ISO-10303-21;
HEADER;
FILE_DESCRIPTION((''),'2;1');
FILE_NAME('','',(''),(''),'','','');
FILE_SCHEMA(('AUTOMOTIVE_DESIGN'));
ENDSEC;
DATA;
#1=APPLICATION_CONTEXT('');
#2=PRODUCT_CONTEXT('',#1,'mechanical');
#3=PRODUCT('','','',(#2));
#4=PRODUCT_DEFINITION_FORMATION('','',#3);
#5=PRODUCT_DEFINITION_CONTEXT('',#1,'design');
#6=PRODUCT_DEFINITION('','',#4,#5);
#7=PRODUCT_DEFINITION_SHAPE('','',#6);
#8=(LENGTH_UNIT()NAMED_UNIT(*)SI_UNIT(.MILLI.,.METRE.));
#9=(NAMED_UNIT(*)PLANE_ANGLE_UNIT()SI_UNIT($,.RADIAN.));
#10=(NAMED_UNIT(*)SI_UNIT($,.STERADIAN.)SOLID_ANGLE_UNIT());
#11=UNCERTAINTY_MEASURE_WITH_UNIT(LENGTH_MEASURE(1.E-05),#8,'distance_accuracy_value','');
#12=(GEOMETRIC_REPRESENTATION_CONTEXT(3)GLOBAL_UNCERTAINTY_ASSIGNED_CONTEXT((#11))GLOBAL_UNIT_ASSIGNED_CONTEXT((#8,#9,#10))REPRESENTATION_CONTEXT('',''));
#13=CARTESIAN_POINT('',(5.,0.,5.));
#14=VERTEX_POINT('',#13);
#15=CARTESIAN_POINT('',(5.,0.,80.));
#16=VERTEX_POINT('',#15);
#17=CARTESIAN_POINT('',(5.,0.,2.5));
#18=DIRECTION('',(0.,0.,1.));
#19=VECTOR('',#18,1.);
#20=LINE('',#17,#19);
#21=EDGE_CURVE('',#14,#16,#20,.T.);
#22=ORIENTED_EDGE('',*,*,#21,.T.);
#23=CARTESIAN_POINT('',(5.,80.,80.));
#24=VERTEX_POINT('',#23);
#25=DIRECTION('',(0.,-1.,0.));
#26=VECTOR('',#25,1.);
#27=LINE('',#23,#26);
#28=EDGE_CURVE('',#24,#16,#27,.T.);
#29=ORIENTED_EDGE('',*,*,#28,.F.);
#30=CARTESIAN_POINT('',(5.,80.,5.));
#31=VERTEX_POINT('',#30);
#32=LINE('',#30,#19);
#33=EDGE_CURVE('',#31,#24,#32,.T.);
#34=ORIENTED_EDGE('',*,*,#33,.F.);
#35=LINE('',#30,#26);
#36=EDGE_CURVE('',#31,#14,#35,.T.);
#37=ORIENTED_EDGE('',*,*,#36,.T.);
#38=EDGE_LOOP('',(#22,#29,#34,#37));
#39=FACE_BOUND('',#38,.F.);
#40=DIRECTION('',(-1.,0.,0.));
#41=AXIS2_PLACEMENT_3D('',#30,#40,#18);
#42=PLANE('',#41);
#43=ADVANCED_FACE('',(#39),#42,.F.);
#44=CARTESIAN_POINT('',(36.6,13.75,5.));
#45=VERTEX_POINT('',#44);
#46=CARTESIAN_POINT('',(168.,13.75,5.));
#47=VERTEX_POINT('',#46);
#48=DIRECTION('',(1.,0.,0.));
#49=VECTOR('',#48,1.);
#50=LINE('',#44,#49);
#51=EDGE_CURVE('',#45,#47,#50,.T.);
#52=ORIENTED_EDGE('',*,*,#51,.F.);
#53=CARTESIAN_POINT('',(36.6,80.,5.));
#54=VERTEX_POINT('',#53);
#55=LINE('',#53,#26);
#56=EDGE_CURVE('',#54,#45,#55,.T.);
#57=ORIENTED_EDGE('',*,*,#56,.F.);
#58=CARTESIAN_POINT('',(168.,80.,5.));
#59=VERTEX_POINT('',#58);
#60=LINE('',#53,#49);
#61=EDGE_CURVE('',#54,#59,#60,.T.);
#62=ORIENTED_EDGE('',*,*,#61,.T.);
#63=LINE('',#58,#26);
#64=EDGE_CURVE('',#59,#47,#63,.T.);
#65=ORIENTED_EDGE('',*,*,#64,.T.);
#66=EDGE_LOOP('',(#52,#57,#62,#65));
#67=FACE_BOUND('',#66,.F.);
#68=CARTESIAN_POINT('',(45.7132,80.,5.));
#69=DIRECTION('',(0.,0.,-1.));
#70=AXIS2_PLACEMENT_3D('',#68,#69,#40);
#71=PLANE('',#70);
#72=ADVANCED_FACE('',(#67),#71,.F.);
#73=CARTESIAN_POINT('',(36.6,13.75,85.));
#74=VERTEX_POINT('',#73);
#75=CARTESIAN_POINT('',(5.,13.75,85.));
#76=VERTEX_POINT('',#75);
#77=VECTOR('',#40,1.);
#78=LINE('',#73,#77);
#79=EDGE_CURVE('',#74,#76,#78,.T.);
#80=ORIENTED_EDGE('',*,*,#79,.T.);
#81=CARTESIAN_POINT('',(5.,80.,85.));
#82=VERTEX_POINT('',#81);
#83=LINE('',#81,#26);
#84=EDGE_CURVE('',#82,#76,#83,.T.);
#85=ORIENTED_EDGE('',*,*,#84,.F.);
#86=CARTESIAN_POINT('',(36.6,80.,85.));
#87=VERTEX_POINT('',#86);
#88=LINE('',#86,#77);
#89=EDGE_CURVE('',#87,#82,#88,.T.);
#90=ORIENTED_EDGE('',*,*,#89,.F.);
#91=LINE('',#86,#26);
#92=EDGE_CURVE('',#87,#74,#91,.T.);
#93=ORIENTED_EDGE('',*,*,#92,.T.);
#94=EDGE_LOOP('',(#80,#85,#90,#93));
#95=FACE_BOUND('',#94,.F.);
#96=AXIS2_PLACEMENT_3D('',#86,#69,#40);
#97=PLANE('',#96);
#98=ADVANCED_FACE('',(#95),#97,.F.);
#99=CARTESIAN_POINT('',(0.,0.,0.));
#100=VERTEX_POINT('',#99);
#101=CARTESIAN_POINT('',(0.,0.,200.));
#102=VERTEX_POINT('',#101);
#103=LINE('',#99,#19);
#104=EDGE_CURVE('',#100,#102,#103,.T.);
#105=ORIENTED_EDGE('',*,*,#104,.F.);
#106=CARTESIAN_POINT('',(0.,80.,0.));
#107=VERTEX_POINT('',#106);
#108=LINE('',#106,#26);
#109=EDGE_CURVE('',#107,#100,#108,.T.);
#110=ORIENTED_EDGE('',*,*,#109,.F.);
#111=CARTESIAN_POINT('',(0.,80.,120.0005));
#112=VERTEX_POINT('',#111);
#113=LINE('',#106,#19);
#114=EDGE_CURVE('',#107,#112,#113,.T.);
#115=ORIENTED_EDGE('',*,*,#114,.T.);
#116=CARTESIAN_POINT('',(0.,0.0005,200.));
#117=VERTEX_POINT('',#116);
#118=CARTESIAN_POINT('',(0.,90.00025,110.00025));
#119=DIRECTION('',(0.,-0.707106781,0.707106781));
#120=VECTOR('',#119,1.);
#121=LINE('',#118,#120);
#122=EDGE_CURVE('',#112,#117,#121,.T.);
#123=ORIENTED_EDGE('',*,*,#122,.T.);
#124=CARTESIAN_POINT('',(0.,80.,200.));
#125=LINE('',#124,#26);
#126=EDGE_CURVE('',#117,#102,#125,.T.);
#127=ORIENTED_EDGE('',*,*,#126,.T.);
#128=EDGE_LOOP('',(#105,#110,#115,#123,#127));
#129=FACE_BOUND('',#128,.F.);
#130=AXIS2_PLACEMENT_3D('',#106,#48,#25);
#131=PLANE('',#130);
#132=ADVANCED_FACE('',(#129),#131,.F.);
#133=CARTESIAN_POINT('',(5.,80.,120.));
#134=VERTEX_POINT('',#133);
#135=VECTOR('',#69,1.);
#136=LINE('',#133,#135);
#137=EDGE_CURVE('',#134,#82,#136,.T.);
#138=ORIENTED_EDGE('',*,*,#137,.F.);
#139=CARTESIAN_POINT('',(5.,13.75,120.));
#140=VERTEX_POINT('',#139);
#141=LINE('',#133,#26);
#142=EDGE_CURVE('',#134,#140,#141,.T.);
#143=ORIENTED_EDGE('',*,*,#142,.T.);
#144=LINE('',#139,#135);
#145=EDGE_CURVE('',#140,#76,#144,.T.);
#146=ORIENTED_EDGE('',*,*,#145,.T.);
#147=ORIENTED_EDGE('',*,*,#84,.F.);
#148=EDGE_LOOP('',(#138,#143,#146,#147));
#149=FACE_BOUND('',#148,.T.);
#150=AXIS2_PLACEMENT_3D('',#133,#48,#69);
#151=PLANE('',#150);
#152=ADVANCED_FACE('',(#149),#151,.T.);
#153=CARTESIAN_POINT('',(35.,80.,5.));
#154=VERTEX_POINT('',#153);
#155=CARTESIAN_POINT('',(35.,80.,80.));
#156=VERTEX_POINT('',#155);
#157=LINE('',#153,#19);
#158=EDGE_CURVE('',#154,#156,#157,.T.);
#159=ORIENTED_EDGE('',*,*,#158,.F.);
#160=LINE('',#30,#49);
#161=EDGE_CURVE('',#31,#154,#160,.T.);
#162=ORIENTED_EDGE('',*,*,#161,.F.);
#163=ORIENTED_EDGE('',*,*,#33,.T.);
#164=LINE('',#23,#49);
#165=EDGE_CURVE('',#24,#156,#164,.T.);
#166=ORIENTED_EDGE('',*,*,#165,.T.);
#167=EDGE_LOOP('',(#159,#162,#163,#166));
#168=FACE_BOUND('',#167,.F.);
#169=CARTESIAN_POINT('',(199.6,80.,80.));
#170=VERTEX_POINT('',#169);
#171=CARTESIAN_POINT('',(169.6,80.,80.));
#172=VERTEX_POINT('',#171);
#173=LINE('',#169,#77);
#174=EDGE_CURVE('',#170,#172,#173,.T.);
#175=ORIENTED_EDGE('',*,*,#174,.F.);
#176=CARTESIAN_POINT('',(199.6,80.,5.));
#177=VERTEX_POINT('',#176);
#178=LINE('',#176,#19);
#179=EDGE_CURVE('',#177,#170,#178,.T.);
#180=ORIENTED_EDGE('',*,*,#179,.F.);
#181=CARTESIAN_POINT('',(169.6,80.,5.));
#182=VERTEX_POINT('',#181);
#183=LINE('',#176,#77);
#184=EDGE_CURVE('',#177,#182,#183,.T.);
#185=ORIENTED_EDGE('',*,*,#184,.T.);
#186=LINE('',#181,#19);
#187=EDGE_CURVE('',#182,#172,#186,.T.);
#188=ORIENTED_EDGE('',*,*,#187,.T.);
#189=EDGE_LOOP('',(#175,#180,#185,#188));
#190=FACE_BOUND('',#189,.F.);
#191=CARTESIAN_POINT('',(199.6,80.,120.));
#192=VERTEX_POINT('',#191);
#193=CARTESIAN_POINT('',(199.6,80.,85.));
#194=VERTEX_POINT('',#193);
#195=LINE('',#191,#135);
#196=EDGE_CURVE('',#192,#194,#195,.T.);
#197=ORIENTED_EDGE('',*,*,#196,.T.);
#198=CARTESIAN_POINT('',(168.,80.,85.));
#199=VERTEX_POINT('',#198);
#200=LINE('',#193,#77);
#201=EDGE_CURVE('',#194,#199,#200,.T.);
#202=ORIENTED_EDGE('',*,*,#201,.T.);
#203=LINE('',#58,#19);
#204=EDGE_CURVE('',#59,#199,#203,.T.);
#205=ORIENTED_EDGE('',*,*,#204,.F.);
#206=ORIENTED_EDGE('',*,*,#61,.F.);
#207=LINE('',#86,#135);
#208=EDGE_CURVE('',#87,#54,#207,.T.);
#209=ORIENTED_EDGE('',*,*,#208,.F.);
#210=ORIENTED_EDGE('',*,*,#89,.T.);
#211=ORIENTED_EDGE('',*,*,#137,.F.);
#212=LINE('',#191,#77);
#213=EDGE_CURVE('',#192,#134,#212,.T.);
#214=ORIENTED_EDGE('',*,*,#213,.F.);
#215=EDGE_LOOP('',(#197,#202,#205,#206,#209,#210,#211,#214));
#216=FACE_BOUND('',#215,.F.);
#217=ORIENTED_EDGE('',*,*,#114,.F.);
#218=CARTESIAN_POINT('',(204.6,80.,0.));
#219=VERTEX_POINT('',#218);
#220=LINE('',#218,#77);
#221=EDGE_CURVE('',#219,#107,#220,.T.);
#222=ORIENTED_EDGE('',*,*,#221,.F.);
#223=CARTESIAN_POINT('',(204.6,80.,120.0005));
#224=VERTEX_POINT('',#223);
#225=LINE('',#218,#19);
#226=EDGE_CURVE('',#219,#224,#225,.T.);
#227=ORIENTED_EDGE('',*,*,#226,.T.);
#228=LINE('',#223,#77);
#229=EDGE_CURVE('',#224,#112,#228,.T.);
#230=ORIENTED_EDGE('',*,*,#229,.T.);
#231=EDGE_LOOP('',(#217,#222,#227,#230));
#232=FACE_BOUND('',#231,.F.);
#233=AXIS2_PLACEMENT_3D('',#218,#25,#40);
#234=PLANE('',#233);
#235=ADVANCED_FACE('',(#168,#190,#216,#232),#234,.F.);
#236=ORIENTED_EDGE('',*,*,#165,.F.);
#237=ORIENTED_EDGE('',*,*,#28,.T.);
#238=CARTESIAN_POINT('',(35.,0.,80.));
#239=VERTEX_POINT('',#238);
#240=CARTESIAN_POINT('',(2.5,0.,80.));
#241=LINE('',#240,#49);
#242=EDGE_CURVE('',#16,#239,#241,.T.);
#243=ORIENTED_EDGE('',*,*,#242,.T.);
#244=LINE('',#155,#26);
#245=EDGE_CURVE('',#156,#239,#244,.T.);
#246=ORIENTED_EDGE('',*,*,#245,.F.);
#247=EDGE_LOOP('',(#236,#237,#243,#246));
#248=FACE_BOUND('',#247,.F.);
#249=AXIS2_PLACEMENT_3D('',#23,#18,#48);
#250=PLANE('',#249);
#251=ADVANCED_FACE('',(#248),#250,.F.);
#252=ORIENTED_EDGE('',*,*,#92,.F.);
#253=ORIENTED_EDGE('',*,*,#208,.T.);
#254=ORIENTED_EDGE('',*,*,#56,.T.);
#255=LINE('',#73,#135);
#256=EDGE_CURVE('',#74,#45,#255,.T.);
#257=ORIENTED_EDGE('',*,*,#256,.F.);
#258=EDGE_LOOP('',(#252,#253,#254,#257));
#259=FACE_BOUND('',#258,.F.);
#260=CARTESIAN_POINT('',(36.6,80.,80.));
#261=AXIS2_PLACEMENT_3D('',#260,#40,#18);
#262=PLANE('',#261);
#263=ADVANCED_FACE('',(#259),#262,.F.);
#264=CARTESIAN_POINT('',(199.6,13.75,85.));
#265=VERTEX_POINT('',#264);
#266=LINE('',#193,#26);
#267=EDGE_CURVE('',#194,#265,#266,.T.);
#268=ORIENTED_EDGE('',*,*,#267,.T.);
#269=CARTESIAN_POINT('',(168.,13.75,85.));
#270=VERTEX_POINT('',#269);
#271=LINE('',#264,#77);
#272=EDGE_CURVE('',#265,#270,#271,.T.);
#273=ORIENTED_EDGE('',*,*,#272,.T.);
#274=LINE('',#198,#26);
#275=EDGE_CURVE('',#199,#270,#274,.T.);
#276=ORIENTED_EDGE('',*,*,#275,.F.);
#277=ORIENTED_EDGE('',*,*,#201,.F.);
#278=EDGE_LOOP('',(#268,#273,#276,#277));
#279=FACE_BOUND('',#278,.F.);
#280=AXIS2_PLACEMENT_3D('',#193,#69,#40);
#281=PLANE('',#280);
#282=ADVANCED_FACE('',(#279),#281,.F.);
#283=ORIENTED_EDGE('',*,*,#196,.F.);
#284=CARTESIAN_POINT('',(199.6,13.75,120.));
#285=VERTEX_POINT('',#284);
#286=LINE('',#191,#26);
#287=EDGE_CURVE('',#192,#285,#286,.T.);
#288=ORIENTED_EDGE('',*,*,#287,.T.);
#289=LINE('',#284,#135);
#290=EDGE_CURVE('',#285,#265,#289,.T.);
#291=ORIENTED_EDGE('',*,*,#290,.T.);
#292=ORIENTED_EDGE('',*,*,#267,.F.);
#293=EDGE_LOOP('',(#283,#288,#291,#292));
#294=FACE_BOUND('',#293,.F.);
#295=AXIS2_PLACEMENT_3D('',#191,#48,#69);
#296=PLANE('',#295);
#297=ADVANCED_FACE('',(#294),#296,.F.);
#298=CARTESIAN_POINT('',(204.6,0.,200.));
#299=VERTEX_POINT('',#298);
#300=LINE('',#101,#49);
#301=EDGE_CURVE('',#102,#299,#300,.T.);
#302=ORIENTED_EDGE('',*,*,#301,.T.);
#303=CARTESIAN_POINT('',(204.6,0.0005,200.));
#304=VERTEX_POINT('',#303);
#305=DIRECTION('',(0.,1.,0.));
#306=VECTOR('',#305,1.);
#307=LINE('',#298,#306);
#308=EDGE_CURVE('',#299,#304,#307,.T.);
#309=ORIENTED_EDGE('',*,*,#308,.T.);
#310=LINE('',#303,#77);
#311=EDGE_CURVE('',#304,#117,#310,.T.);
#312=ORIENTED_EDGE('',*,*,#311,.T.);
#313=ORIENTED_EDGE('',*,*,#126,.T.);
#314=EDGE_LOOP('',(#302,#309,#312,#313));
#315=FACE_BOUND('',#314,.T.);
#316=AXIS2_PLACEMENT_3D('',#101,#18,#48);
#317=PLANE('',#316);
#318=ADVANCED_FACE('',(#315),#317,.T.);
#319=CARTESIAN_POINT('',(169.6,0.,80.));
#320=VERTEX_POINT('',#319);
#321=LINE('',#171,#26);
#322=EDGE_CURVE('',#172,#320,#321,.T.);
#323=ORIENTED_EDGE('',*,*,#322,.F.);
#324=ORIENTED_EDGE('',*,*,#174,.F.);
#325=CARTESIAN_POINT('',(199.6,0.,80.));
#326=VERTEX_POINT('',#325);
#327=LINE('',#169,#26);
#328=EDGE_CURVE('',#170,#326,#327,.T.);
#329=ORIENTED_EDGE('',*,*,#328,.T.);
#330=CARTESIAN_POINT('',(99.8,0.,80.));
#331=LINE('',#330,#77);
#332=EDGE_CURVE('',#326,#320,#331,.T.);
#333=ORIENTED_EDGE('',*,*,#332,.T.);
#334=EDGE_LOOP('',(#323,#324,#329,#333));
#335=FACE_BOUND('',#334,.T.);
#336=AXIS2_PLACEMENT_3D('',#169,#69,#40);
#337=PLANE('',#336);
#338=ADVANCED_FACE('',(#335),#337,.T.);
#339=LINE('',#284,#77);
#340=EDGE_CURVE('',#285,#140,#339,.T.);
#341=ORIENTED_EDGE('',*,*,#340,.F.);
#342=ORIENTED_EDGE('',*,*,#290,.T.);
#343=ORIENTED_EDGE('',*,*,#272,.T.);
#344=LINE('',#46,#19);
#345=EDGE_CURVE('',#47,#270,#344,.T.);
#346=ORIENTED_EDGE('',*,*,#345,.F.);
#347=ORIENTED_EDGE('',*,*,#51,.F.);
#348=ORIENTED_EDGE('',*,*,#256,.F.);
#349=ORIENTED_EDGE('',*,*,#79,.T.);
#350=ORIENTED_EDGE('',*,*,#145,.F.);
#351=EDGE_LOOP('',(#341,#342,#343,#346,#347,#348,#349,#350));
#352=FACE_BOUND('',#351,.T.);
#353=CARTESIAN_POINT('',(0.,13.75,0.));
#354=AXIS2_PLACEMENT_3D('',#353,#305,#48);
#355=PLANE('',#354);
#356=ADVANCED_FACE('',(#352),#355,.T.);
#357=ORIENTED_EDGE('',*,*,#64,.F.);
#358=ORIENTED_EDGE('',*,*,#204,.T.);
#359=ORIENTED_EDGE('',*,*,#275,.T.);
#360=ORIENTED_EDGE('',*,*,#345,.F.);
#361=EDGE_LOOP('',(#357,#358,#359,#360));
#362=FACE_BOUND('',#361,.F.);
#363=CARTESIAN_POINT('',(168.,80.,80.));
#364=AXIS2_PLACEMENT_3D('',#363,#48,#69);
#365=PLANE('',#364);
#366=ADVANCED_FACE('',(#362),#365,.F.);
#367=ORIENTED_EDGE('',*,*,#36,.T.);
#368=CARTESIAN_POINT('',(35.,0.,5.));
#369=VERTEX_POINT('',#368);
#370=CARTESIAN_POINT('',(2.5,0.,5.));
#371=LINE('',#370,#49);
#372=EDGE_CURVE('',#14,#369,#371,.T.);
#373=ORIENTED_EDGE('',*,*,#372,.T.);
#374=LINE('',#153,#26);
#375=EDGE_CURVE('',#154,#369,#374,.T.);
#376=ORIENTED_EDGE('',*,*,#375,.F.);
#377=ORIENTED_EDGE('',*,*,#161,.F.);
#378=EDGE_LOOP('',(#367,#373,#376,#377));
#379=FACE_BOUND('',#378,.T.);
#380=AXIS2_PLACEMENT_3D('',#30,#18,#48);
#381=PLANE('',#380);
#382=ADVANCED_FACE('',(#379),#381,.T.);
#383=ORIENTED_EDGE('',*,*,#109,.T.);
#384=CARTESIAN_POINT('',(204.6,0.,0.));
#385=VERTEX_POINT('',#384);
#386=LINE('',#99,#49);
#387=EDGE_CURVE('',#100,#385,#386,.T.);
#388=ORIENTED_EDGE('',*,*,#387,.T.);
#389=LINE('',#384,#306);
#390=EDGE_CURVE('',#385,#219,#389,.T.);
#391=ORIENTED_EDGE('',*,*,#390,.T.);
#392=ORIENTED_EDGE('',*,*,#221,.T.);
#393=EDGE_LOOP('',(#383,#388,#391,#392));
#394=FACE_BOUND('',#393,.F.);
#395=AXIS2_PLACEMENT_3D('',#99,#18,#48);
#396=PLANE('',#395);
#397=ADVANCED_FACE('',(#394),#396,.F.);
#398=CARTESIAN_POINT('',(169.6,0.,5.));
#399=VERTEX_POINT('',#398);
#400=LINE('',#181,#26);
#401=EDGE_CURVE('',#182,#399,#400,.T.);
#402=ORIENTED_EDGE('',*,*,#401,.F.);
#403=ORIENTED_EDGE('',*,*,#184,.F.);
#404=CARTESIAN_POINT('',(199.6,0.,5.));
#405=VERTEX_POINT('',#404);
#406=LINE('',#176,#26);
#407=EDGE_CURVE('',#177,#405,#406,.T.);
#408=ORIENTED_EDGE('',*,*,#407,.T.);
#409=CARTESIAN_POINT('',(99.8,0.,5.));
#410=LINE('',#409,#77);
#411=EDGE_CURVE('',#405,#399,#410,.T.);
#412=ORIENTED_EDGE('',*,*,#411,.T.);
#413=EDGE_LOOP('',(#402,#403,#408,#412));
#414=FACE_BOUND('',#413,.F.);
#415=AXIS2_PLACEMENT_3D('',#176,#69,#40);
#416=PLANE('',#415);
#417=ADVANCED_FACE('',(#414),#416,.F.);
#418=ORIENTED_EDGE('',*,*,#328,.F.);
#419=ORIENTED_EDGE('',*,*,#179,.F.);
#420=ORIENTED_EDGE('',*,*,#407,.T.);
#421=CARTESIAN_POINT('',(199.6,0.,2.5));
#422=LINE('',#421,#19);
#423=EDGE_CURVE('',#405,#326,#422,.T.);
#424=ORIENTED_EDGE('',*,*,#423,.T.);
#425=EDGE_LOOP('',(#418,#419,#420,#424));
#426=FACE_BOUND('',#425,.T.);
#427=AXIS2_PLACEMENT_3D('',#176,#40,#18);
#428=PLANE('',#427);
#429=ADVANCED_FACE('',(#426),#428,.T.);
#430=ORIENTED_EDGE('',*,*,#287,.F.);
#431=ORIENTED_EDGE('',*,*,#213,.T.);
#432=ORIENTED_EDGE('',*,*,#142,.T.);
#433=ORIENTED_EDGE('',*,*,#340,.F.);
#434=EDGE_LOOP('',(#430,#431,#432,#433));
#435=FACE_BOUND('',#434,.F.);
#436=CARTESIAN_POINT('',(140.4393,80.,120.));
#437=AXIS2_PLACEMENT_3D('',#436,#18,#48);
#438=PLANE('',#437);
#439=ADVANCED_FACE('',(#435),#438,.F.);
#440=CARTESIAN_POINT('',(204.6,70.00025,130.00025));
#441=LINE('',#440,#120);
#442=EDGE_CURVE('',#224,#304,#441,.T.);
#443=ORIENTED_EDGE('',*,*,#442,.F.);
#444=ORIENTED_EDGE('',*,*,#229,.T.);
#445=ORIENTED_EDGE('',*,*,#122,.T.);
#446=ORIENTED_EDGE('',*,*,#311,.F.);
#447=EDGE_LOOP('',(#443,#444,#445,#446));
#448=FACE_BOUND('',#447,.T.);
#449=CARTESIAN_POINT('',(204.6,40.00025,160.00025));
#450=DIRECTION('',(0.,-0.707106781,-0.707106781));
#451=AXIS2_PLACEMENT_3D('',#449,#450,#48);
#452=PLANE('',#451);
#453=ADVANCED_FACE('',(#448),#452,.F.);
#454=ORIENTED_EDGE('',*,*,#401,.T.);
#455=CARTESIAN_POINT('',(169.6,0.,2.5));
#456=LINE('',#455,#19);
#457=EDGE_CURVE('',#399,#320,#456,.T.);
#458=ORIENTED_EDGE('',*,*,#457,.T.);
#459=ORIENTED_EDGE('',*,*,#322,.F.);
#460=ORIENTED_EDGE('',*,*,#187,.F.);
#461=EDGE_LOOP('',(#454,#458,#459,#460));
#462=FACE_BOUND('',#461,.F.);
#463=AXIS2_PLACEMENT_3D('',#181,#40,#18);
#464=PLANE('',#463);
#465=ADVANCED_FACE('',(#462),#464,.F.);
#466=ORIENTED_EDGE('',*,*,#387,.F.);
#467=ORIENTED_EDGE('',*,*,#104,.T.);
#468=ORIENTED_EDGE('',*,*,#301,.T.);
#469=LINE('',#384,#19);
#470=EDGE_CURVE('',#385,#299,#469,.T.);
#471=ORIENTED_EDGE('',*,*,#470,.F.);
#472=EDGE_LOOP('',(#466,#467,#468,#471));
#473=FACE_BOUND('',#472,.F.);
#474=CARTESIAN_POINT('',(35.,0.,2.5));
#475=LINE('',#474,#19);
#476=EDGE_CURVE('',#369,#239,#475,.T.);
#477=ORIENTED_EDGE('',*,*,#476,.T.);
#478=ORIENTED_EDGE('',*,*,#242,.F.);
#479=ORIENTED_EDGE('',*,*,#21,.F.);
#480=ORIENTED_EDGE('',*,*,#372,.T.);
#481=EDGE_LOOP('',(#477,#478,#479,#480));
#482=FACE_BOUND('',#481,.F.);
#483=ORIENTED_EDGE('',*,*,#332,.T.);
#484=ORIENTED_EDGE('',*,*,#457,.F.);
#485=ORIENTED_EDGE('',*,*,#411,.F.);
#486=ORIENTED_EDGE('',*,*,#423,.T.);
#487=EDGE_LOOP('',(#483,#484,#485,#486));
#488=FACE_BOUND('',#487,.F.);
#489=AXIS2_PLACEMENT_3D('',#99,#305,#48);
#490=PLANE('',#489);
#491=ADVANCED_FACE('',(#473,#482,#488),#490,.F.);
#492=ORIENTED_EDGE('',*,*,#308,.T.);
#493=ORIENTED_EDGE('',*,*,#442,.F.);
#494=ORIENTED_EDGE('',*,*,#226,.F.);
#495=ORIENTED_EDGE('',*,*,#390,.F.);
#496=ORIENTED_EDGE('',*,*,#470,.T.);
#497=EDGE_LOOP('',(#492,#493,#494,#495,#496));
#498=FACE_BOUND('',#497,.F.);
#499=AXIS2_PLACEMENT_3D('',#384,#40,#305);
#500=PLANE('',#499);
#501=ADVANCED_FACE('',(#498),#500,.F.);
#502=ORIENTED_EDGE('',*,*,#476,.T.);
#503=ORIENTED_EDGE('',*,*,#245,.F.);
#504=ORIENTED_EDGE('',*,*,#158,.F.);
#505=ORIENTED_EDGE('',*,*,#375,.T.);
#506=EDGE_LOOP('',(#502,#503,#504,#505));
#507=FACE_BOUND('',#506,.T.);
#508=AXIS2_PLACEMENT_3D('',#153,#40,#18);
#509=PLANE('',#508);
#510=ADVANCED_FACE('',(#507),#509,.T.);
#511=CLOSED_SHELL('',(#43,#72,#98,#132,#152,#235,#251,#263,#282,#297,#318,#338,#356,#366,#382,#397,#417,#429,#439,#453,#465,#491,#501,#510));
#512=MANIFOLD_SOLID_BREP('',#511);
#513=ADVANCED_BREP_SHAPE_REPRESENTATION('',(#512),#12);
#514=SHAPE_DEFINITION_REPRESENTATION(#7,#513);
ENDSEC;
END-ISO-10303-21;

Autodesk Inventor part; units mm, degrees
ref_plane "YZ Plane" through (0, 0, 0) normal (1, 0, 0) x (0, 1, 0)
ref_plane "XZ Plane" through (0, 0, 0) normal (0, 1, 0) x (-1, 0, 0)
ref_plane "XY Plane" through (0, 0, 0) normal (0, 0, 1) x (1, 0, 0)
sketch "Esboço3" plane through (0, 0, 0) normal (0, 0, 1) x (1, 0, 0)
  line L0 (0, 0) -> (204.6, 0)
  line L1 (204.6, 0) -> (204.6, 80)
  line L2 (204.6, 80) -> (0, 80)
  line L3 (0, 80) -> (0, 0)
  dimension "d4" = 204.6
  dimension "d5" = 80
extrude "Extrusão2" add sketch "Esboço3" along normal blind 200
sketch "Esboço7" plane through (0, 80, 0) normal (0, 1, 0) x (1, 0, 0)
  line L0 (0, 0) -> (5, 0)
  line L1 (0, 0) -> (204.6, 0) projected
  line L2 (5, -5) -> (5, -80)
  line L3 (5, -80) -> (35, -80)
  line L4 (5, -5) -> (35, -5)
  line L5 (35, -5) -> (35, -80)
  line L6 (35, -80) -> (5, -80)
  line L7 (5, -80) -> (5, -5)
  line L8 (204.6, 0) -> (204.6, -200) projected
  line L9 (199.6, -5) -> (199.6, -80)
  line L10 (199.6, -80) -> (169.6, -80)
  line L11 (199.6, -5) -> (169.6, -5)
  line L12 (169.6, -5) -> (169.6, -80)
  line L13 (169.6, -80) -> (199.6, -80)
  line L14 (199.6, -80) -> (199.6, -5)
extrude "Extrusão3" cut sketch "Esboço7" against normal through all
sketch "Esboço8" plane through (0, 80, 0) normal (0, 1, 0) x (1, 0, 0)
  line L0 (35, -5) -> (35, -80) projected
  line L1 (35, -80) -> (36.6, -80)
  line L2 (169.6, -80) -> (168, -80)
  line L3 (45.7132, 0) -> (45.7132, -5)
  line L4 (0, 0) -> (204.6, 0) projected
  line L5 (36.6, -80) -> (168, -80)
  line L6 (168, -80) -> (168, -5)
  line L7 (168, -5) -> (36.6, -5)
  line L8 (36.6, -5) -> (36.6, -80)
  dimension "d29" = 1.6
  dimension "d30" = 1.6
extrude "Extrusão4" cut sketch "Esboço8" against normal blind 66.25
sketch "Esboço9" plane through (0, 80, 0) normal (0, 1, 0) x (1, 0, 0)
  line L0 (35, -80) -> (5, -80) projected
  line L1 (168, -80) -> (36.6, -80) projected
  line L2 (36.6, -80) -> (36.6, -85)
  line L3 (168, -80) -> (168, -85)
  line L4 (199.6, -80) -> (169.6, -80) projected
  line L5 (5, -120) -> (5, -85)
  line L6 (36.6, -85) -> (5, -85)
  line L7 (5, -120) -> (140.4393, -120)
  line L8 (199.6, -85) -> (168, -85)
  line L9 (36.6, -80) -> (168, -80)
  line L10 (140.4393, -120) -> (199.6, -120)
  line L11 (199.6, -120) -> (199.6, -85)
extrude "Extrusão5" cut sketch "Esboço9" against normal blind 66.25
chamfer "Chanfro1" distance 80 angle 45 1 edges at (102.3, 80, 200)
properties part number "chassi1"
